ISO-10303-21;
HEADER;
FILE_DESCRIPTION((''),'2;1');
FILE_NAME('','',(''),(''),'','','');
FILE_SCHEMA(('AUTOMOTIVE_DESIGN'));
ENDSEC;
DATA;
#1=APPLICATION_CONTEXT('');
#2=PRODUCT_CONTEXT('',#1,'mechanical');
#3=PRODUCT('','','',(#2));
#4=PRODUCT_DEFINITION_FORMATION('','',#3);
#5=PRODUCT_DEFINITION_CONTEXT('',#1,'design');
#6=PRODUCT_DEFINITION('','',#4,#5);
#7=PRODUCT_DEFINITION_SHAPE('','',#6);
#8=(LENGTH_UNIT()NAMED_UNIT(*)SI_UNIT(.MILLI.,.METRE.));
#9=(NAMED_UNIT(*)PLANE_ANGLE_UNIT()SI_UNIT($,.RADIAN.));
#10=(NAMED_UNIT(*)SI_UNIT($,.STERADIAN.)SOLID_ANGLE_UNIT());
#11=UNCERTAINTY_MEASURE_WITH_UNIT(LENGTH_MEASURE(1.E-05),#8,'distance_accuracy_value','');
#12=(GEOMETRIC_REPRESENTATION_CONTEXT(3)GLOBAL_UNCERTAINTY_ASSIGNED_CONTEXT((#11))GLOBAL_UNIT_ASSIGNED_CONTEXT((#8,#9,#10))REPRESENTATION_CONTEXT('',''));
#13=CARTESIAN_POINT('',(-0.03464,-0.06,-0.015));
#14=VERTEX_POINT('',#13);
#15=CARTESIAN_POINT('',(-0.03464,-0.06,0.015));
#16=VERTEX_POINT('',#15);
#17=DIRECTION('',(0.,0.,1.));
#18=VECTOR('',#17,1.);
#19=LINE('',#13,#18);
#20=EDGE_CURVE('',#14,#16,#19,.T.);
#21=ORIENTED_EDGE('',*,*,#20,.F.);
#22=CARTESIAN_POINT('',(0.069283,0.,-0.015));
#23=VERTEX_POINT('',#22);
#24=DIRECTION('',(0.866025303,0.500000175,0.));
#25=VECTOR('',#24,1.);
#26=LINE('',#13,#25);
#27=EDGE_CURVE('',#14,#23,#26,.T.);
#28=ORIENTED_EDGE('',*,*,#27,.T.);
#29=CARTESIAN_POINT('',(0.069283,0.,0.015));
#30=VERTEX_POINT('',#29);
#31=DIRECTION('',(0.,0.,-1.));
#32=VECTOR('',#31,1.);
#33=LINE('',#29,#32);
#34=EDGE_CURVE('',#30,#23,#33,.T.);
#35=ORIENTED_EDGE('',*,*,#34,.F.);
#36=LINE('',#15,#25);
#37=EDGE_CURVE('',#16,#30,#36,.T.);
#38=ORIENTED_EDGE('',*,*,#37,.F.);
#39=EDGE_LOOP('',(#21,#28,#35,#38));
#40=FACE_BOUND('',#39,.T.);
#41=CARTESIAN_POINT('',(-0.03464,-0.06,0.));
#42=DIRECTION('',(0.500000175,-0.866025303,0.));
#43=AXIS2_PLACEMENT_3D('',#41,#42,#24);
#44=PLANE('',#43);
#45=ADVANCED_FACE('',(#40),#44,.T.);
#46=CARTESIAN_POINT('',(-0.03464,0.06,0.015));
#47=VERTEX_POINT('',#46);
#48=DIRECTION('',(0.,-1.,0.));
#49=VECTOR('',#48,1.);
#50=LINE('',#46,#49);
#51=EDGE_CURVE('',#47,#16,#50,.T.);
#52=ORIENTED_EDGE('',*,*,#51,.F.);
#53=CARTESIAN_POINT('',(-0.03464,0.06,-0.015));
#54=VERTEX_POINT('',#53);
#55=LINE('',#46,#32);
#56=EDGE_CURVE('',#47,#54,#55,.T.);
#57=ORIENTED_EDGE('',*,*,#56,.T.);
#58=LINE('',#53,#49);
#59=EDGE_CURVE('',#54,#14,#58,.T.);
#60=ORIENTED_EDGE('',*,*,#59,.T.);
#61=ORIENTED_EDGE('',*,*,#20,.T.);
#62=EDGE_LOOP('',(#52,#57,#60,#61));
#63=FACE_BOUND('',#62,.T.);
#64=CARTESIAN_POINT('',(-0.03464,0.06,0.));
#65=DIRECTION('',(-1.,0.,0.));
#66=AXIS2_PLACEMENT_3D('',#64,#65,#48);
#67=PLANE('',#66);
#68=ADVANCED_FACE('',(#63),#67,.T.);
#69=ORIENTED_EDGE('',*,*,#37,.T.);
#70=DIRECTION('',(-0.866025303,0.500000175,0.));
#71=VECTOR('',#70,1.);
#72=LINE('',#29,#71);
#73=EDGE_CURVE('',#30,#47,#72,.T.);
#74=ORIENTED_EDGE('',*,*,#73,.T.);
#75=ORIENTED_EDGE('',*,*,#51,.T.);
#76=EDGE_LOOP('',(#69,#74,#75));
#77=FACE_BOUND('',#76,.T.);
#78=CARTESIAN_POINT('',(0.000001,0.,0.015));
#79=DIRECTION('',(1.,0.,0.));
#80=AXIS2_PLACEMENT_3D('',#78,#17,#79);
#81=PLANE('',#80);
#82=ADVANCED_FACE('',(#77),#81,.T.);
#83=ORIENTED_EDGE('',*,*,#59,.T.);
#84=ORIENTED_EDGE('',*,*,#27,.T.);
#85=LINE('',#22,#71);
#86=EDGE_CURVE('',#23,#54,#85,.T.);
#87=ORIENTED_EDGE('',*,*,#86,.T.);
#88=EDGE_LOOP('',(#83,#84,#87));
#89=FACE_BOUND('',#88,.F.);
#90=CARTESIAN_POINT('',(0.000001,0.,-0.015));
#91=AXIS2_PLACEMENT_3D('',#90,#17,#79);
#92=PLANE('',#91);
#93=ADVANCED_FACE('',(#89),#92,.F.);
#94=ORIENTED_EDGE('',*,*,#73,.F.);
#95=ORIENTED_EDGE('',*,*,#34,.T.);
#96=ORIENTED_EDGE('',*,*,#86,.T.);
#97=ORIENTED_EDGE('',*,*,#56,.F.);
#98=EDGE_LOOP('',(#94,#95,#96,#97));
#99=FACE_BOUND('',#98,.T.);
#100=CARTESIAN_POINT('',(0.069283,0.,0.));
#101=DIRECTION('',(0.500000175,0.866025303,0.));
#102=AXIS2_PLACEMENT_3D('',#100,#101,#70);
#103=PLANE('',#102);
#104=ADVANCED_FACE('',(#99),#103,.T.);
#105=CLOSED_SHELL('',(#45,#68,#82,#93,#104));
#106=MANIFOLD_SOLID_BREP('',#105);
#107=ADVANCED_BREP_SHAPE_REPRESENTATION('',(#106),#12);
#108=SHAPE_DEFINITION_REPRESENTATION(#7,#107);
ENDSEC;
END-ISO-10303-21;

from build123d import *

# Parameters (mm, degrees)
PAD_DEPTH = 0.015


with BuildPart() as part:
    # Sketch → Pad (new body, symmetric)
    with BuildSketch(Plane.XY):
        Polygon((-0.03464, 0.06), (-0.03464, -0.06), (0.069283, 0), align=None)
    extrude(amount=PAD_DEPTH, both=True)


solid = part.part
